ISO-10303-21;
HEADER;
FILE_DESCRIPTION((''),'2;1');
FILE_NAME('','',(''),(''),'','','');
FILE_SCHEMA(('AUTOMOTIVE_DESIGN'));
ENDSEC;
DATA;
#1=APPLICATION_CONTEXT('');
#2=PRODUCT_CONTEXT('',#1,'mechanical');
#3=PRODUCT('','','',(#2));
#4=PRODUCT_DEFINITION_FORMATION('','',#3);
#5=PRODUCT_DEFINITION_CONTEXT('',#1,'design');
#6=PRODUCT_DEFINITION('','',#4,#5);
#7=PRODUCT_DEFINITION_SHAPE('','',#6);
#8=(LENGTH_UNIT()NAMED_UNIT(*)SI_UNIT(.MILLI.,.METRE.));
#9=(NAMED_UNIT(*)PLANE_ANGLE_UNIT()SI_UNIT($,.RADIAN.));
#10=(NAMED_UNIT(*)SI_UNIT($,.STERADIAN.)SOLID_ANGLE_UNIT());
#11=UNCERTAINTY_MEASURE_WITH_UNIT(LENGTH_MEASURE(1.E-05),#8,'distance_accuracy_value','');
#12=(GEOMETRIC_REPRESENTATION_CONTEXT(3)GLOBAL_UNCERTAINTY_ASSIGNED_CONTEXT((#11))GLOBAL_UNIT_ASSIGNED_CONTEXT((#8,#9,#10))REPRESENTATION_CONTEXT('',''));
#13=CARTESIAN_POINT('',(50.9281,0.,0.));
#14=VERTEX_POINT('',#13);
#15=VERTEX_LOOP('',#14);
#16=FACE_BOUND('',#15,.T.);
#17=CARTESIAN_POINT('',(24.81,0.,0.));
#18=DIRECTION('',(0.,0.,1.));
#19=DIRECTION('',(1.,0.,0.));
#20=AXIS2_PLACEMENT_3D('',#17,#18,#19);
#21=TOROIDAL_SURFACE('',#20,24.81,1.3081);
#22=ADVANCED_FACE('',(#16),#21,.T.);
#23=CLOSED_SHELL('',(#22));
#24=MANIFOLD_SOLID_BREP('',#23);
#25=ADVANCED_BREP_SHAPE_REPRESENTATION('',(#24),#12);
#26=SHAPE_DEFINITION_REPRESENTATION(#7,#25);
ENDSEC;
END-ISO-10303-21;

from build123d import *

# Parameters (mm, degrees)
SKETCH4_R = 1.3081


with BuildPart() as part:
    # Sketch4 → Revolve2 (revolve)
    with BuildSketch(Plane(origin=(0, 0, 0), x_dir=(1, 0, 0), z_dir=(0, 1, 0))):
        Circle(SKETCH4_R)
    revolve(axis=Axis((24.81, 0, 1.43891), (0, 0, -1)))


solid = part.part
